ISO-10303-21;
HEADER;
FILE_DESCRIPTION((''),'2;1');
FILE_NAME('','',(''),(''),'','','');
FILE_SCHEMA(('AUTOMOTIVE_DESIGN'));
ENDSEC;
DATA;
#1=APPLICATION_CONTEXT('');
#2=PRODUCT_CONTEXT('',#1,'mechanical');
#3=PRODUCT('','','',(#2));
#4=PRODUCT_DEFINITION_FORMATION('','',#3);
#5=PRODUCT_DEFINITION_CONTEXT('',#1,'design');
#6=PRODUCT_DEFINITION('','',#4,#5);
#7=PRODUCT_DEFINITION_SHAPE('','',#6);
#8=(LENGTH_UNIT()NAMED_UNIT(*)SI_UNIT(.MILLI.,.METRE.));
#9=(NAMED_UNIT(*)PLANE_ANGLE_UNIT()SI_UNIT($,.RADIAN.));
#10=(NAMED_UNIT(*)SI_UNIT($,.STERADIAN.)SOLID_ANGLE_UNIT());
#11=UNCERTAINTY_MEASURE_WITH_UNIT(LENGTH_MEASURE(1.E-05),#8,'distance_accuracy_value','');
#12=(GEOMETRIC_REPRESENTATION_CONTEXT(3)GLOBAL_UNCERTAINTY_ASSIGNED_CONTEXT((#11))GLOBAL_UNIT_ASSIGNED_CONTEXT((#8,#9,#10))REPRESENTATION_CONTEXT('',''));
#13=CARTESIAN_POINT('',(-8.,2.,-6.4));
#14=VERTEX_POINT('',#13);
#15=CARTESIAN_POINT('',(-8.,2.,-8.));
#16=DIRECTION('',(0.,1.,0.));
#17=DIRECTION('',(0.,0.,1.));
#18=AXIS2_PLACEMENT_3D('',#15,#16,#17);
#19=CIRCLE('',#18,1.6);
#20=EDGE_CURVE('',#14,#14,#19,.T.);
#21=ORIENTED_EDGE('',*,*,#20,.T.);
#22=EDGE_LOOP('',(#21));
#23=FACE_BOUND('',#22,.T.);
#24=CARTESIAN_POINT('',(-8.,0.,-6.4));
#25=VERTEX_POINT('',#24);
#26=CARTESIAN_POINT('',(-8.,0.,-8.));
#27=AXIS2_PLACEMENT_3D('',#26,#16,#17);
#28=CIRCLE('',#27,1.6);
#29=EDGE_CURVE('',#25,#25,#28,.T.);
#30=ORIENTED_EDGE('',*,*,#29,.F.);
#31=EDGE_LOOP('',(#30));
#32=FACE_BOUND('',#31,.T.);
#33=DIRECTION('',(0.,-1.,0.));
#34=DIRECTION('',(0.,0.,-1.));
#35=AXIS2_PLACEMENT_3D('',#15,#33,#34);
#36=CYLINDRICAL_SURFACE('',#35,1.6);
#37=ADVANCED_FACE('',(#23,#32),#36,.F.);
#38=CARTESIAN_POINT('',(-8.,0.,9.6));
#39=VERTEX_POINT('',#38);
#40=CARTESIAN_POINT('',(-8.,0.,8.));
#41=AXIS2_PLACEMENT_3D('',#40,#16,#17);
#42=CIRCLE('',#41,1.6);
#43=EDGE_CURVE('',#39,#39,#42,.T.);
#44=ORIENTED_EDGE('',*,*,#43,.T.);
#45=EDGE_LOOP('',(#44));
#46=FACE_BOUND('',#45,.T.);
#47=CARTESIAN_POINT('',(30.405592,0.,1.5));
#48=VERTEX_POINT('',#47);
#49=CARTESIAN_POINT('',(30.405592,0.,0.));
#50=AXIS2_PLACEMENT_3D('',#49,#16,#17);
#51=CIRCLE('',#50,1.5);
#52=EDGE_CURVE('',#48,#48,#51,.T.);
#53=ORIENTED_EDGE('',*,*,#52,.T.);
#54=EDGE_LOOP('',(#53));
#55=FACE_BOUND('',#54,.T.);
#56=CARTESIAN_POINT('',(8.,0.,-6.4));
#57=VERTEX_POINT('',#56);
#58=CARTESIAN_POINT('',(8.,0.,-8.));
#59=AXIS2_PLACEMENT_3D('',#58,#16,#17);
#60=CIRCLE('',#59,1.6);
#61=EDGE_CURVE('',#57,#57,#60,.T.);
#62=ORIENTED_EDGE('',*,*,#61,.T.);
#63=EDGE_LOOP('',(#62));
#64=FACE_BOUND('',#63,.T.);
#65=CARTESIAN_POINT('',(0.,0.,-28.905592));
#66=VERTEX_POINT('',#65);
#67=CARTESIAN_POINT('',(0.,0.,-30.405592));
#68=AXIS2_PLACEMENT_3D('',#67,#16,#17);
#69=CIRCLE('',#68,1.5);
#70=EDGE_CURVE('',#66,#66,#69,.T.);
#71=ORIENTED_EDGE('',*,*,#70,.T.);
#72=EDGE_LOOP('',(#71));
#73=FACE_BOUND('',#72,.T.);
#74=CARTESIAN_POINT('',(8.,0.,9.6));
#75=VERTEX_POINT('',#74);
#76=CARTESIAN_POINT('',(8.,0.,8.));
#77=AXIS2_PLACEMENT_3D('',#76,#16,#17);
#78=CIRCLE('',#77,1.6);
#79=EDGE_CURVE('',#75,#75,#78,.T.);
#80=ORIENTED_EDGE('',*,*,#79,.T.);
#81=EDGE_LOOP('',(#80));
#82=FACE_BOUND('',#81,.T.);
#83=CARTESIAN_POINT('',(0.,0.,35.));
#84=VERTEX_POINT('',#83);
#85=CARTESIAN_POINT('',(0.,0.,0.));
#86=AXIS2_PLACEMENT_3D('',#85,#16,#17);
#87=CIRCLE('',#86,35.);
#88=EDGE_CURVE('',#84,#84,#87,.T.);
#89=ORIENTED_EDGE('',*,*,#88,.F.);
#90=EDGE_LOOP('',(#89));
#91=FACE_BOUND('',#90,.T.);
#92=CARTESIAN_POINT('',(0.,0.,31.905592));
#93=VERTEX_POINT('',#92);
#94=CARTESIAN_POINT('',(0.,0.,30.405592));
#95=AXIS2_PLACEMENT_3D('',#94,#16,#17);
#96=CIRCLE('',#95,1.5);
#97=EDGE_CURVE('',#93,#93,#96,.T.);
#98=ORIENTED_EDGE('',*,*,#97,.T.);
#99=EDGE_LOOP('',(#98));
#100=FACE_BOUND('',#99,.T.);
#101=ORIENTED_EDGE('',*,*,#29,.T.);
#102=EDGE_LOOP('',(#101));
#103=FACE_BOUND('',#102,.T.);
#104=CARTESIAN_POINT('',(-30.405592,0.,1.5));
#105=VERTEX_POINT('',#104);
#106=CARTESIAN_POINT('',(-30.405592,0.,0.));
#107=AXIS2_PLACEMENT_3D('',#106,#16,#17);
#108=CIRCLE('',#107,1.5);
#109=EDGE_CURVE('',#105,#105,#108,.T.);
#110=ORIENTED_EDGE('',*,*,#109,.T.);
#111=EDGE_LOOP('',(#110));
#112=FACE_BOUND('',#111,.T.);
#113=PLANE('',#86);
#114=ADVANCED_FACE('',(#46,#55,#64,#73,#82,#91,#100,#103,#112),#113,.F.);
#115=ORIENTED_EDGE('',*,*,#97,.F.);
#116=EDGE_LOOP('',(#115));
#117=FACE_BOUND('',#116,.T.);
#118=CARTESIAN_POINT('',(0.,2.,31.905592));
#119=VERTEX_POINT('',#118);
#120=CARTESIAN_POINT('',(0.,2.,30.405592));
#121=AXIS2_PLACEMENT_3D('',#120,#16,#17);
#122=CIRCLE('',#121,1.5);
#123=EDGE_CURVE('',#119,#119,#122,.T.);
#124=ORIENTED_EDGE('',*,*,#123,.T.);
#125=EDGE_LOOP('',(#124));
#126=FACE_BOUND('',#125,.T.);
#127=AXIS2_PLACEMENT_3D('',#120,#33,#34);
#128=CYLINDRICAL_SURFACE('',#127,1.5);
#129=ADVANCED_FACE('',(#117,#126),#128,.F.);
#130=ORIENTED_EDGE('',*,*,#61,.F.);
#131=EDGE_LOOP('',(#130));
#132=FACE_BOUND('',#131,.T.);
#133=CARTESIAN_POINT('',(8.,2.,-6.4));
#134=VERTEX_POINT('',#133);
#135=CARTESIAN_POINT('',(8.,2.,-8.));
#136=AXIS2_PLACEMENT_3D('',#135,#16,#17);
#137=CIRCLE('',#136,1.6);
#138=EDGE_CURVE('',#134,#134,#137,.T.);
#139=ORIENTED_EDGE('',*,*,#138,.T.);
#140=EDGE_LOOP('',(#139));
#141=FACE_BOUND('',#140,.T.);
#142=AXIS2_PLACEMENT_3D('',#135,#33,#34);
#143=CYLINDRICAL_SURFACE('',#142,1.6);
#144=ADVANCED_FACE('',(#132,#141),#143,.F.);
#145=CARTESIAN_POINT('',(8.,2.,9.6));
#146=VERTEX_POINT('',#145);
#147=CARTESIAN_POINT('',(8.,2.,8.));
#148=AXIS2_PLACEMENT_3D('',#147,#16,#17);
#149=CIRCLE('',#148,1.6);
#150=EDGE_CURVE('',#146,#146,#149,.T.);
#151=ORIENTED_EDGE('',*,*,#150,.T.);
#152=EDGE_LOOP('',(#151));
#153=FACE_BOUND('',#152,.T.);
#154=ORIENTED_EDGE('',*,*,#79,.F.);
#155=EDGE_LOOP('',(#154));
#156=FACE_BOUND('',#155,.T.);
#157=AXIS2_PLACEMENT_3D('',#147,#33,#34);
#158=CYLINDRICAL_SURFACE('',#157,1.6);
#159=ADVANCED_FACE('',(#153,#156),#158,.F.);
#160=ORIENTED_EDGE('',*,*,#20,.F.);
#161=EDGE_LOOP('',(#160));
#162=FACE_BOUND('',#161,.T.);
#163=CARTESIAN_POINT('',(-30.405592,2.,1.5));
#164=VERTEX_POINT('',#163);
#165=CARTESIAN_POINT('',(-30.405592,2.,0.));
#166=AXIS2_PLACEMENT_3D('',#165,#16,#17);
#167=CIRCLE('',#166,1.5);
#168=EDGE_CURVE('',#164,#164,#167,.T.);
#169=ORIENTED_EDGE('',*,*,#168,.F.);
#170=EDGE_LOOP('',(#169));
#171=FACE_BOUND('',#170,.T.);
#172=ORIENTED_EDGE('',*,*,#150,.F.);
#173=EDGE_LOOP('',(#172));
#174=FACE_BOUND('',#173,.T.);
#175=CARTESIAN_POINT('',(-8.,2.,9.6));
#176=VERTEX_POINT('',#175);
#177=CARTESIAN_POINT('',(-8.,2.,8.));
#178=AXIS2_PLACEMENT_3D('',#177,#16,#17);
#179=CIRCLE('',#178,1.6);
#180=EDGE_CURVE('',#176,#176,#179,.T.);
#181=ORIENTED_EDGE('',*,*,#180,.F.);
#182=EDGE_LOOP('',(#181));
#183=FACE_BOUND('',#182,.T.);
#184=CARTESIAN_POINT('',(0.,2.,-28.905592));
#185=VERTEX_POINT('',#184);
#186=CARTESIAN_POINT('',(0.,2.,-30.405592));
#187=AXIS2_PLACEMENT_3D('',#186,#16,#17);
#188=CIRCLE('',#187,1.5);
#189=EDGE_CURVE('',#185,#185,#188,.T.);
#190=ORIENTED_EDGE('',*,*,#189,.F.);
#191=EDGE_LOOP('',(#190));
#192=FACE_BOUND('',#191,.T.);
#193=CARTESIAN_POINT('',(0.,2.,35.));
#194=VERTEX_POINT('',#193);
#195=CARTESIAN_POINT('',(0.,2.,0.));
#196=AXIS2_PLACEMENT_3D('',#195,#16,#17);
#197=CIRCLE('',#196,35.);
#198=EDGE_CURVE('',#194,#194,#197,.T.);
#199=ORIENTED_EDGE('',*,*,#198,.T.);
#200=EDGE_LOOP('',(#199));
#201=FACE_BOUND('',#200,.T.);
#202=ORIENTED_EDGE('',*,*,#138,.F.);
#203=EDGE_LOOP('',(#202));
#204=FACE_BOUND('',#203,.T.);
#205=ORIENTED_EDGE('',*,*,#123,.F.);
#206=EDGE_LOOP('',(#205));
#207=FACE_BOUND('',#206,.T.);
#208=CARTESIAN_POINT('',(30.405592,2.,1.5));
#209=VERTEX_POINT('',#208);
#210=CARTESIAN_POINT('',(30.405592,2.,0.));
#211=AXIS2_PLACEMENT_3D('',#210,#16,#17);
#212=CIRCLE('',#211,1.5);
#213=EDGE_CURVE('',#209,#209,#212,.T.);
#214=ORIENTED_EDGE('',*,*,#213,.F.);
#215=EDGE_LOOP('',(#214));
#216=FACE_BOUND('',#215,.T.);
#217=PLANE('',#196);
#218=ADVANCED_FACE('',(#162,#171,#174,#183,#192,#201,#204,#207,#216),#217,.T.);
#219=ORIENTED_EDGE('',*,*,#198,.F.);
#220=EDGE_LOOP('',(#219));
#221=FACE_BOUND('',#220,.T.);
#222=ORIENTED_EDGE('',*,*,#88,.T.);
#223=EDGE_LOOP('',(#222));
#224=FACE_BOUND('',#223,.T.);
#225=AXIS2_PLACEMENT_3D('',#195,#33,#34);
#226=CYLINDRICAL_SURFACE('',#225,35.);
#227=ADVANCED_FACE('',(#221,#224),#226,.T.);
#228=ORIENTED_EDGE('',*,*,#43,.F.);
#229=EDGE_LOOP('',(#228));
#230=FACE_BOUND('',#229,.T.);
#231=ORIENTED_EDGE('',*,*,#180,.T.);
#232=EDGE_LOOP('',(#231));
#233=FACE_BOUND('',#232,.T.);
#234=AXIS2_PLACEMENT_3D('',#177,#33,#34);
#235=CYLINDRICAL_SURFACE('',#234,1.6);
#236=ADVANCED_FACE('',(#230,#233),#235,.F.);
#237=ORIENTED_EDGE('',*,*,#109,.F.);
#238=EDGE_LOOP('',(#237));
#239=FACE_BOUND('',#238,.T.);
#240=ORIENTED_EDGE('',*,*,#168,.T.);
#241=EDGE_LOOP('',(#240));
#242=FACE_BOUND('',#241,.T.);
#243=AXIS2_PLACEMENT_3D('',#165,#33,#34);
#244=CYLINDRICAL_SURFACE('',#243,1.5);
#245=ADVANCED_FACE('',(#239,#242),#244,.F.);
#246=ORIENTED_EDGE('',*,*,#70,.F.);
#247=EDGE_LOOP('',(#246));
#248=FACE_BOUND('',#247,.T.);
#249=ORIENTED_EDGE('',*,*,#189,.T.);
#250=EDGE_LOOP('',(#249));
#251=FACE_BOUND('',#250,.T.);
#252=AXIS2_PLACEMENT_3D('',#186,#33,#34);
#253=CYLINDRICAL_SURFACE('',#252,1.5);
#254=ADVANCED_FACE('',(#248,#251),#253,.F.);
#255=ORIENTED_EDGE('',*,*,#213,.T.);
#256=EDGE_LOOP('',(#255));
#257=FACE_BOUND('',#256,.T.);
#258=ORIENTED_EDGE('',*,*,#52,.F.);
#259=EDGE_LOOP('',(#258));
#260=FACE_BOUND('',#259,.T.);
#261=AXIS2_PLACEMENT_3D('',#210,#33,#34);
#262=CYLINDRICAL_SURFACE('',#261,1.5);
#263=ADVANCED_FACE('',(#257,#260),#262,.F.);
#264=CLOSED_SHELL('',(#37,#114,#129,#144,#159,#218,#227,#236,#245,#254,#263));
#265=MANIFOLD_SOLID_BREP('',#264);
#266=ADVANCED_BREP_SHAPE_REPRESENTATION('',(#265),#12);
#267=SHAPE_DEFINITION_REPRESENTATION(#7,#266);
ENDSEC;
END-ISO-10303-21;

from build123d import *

# Parameters (mm, degrees)
SKETCH1_R           = 35
SKETCH1_R_2         = 1.5
SKETCH1_R_3         = 1.6
BOSS_EXTRUDE1_DEPTH = 2


with BuildPart() as part:
    # Sketch1 → Boss-Extrude1 (new body)
    with BuildSketch(Plane(origin=(0, 0, 0), x_dir=(1, 0, 0), z_dir=(0, 1, 0))):
        with Locations(Location((0, 0, 0), (0, 0, 270))):
            Circle(SKETCH1_R)
        with Locations(Location((0, 30.405591591, 0), (0, 0, 270))):
            Circle(SKETCH1_R_2, mode=Mode.SUBTRACT)
        with Locations(Location((30.405591591, 0, 0), (0, 0, 270))):
            Circle(SKETCH1_R_2, mode=Mode.SUBTRACT)
        with Locations(Location((0, -30.405591591, 0), (0, 0, 270))):
            Circle(SKETCH1_R_2, mode=Mode.SUBTRACT)
        with Locations(Location((-30.405591591, 0, 0), (0, 0, 270))):
            Circle(SKETCH1_R_2, mode=Mode.SUBTRACT)
        with Locations(Location((-8, 8, 0), (0, 0, 270))):
            Circle(SKETCH1_R_3, mode=Mode.SUBTRACT)
        with Locations(Location((8, 8, 0), (0, 0, 270))):
            Circle(SKETCH1_R_3, mode=Mode.SUBTRACT)
        with Locations(Location((8, -8, 0), (0, 0, 270))):
            Circle(SKETCH1_R_3, mode=Mode.SUBTRACT)
        with Locations(Location((-8, -8, 0), (0, 0, 270))):
            Circle(SKETCH1_R_3, mode=Mode.SUBTRACT)
    extrude(amount=BOSS_EXTRUDE1_DEPTH)


solid = part.part
